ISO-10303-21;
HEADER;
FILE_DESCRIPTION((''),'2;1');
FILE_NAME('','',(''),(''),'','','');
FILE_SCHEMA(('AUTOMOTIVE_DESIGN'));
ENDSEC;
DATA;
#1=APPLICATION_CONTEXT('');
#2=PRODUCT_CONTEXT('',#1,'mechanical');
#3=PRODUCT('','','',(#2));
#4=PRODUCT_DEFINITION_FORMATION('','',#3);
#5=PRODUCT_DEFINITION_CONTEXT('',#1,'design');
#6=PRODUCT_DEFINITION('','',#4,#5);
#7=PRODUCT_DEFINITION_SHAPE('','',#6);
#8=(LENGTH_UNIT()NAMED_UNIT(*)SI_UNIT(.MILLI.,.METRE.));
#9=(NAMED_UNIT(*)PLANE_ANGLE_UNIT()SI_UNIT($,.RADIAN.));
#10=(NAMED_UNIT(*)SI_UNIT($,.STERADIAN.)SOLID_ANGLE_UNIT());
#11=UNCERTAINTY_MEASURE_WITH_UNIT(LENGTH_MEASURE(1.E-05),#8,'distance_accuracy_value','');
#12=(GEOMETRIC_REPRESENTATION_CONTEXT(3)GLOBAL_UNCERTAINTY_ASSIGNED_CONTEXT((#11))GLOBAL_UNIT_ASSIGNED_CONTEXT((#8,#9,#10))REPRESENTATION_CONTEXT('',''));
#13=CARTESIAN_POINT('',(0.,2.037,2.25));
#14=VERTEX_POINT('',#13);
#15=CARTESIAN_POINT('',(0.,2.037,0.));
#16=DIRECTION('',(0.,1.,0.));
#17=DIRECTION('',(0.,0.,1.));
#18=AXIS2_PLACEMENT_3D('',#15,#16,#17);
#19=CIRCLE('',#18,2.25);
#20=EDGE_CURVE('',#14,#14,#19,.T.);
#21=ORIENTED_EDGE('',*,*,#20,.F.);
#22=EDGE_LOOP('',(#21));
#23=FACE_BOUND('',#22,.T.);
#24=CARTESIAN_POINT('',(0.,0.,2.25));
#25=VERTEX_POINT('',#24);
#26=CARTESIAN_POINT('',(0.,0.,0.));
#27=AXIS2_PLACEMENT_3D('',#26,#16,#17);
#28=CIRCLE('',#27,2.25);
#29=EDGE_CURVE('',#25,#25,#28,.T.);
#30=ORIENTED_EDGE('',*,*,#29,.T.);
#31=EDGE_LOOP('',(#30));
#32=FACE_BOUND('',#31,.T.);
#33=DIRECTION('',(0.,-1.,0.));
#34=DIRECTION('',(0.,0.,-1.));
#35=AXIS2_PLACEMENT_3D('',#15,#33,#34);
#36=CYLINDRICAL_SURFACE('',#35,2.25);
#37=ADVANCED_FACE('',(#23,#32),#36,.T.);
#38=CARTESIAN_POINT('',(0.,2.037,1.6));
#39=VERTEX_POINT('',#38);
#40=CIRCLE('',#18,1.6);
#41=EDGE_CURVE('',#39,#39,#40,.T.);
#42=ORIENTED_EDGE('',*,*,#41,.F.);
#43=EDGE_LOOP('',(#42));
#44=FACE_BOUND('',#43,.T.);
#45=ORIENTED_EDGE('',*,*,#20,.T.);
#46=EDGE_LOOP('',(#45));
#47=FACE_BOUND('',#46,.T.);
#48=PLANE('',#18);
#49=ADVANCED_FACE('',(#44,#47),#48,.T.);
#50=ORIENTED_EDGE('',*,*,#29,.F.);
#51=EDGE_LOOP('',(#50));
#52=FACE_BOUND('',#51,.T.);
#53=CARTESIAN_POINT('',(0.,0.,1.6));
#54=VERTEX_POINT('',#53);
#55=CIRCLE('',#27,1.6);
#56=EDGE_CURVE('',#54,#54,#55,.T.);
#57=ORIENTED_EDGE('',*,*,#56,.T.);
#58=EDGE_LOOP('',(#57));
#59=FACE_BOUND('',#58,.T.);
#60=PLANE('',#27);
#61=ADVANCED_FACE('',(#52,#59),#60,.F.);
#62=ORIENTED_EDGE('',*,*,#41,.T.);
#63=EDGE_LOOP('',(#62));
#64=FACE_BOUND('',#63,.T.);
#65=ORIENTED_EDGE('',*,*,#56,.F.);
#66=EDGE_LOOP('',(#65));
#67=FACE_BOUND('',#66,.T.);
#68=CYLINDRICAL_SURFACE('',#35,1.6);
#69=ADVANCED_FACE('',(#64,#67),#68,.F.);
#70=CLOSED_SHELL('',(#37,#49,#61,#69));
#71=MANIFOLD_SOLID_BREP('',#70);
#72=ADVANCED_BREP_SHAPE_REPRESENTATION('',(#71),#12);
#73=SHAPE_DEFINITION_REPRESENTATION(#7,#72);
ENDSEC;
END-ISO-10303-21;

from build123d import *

# Parameters (mm, degrees)
SKETCH1_R           = 2.25
SKETCH1_R_2         = 1.6
BOSS_EXTRUDE1_DEPTH = 2.037


with BuildPart() as part:
    # Sketch1 → Boss-Extrude1 (new body)
    with BuildSketch(Plane(origin=(0, 0, 0), x_dir=(1, 0, 0), z_dir=(0, 1, 0))):
        with Locations(Location((0, 0, 0), (0, 0, 270))):
            Circle(SKETCH1_R)
        with Locations(Location((0, 0, 0), (0, 0, 270))):
            Circle(SKETCH1_R_2, mode=Mode.SUBTRACT)
    extrude(amount=BOSS_EXTRUDE1_DEPTH)


solid = part.part
